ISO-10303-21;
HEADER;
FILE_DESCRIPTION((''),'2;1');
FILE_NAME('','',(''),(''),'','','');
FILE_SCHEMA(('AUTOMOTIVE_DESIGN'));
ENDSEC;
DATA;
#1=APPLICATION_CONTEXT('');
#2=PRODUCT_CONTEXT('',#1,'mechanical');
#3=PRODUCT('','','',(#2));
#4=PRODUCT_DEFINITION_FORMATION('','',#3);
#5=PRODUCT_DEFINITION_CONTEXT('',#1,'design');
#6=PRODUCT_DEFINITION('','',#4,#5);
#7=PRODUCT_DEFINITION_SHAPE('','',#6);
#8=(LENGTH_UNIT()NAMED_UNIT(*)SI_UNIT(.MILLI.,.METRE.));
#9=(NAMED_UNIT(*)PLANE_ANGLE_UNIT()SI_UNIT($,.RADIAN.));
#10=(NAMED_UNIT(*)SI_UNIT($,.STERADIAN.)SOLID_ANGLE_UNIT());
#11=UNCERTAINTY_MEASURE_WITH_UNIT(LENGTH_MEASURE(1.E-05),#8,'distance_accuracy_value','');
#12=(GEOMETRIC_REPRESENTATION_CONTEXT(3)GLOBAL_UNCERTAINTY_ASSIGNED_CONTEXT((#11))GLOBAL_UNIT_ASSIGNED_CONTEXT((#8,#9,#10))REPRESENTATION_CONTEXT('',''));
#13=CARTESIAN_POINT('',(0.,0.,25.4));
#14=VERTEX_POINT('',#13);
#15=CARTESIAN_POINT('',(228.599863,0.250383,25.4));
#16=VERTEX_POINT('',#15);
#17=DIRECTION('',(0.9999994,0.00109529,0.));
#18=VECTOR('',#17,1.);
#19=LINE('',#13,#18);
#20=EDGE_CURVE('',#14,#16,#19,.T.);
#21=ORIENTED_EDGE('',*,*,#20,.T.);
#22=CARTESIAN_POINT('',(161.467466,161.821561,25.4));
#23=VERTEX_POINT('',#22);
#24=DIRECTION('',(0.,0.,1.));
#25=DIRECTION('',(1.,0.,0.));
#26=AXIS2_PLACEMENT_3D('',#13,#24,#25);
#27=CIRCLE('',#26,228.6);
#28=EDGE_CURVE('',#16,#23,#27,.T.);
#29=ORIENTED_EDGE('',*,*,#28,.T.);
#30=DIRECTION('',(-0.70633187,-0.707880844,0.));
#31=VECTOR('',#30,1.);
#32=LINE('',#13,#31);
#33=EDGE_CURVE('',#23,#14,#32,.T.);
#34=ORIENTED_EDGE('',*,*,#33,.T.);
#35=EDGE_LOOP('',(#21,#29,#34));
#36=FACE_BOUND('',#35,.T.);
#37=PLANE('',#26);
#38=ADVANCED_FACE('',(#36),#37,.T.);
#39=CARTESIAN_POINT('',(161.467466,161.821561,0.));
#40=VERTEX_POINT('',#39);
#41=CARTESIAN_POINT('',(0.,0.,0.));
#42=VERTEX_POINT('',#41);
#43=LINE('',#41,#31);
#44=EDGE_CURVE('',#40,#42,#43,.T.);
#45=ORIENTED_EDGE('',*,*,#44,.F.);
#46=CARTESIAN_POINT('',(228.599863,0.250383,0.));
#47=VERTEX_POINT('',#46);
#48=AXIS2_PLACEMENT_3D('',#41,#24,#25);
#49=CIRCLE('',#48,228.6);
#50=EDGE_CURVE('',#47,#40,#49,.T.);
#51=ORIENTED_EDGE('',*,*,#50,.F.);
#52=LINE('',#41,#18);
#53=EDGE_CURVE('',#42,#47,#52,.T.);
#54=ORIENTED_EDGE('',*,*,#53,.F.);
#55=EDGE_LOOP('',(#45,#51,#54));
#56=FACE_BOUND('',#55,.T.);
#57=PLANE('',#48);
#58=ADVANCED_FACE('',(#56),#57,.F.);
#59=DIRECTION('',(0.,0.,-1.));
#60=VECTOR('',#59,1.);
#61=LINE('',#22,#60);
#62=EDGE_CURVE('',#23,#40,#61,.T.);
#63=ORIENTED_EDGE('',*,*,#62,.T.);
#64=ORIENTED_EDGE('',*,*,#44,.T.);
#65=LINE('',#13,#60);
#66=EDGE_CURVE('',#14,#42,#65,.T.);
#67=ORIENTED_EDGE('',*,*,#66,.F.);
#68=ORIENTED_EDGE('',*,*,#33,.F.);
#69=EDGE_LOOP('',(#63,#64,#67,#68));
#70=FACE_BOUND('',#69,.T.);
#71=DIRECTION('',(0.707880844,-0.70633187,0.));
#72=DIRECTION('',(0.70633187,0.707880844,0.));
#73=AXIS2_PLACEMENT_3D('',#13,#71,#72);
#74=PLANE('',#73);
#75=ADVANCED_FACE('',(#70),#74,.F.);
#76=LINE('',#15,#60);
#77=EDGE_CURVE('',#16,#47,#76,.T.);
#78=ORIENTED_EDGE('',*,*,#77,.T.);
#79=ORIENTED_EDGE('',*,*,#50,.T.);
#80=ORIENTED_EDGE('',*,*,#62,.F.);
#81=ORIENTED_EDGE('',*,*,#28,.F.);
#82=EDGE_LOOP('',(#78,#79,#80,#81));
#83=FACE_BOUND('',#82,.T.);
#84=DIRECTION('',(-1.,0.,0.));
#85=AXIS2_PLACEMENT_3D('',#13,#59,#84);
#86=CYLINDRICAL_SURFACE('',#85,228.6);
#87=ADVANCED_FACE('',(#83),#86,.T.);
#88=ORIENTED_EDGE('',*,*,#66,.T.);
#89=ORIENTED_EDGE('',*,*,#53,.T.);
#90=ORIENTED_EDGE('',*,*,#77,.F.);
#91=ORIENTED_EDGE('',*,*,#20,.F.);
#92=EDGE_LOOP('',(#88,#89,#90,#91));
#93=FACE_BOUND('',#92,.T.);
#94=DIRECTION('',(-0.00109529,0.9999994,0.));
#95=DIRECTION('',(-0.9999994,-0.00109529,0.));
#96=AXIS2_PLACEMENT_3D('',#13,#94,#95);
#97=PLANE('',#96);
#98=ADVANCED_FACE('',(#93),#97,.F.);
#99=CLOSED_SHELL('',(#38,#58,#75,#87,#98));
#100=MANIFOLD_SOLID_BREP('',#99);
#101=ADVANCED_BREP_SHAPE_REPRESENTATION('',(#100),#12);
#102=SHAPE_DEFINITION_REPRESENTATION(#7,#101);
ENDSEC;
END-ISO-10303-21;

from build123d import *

# Parameters (mm, degrees)
EXTRUDE1_DEPTH = 25.4


with BuildPart() as part:
    # Sketch1 → Extrude1 (new body)
    with BuildSketch(Plane.XY):
        with BuildLine():
            Line((0, 0), (228.599862879, 0.250383201))
            ThreePointArc((228.599862879, 0.250383201), (211.102916946, 87.71270408), (161.46746556, 161.82156088))
            Line((161.46746556, 161.82156088), (0, 0))
        make_face()
    extrude(amount=EXTRUDE1_DEPTH)


solid = part.part
